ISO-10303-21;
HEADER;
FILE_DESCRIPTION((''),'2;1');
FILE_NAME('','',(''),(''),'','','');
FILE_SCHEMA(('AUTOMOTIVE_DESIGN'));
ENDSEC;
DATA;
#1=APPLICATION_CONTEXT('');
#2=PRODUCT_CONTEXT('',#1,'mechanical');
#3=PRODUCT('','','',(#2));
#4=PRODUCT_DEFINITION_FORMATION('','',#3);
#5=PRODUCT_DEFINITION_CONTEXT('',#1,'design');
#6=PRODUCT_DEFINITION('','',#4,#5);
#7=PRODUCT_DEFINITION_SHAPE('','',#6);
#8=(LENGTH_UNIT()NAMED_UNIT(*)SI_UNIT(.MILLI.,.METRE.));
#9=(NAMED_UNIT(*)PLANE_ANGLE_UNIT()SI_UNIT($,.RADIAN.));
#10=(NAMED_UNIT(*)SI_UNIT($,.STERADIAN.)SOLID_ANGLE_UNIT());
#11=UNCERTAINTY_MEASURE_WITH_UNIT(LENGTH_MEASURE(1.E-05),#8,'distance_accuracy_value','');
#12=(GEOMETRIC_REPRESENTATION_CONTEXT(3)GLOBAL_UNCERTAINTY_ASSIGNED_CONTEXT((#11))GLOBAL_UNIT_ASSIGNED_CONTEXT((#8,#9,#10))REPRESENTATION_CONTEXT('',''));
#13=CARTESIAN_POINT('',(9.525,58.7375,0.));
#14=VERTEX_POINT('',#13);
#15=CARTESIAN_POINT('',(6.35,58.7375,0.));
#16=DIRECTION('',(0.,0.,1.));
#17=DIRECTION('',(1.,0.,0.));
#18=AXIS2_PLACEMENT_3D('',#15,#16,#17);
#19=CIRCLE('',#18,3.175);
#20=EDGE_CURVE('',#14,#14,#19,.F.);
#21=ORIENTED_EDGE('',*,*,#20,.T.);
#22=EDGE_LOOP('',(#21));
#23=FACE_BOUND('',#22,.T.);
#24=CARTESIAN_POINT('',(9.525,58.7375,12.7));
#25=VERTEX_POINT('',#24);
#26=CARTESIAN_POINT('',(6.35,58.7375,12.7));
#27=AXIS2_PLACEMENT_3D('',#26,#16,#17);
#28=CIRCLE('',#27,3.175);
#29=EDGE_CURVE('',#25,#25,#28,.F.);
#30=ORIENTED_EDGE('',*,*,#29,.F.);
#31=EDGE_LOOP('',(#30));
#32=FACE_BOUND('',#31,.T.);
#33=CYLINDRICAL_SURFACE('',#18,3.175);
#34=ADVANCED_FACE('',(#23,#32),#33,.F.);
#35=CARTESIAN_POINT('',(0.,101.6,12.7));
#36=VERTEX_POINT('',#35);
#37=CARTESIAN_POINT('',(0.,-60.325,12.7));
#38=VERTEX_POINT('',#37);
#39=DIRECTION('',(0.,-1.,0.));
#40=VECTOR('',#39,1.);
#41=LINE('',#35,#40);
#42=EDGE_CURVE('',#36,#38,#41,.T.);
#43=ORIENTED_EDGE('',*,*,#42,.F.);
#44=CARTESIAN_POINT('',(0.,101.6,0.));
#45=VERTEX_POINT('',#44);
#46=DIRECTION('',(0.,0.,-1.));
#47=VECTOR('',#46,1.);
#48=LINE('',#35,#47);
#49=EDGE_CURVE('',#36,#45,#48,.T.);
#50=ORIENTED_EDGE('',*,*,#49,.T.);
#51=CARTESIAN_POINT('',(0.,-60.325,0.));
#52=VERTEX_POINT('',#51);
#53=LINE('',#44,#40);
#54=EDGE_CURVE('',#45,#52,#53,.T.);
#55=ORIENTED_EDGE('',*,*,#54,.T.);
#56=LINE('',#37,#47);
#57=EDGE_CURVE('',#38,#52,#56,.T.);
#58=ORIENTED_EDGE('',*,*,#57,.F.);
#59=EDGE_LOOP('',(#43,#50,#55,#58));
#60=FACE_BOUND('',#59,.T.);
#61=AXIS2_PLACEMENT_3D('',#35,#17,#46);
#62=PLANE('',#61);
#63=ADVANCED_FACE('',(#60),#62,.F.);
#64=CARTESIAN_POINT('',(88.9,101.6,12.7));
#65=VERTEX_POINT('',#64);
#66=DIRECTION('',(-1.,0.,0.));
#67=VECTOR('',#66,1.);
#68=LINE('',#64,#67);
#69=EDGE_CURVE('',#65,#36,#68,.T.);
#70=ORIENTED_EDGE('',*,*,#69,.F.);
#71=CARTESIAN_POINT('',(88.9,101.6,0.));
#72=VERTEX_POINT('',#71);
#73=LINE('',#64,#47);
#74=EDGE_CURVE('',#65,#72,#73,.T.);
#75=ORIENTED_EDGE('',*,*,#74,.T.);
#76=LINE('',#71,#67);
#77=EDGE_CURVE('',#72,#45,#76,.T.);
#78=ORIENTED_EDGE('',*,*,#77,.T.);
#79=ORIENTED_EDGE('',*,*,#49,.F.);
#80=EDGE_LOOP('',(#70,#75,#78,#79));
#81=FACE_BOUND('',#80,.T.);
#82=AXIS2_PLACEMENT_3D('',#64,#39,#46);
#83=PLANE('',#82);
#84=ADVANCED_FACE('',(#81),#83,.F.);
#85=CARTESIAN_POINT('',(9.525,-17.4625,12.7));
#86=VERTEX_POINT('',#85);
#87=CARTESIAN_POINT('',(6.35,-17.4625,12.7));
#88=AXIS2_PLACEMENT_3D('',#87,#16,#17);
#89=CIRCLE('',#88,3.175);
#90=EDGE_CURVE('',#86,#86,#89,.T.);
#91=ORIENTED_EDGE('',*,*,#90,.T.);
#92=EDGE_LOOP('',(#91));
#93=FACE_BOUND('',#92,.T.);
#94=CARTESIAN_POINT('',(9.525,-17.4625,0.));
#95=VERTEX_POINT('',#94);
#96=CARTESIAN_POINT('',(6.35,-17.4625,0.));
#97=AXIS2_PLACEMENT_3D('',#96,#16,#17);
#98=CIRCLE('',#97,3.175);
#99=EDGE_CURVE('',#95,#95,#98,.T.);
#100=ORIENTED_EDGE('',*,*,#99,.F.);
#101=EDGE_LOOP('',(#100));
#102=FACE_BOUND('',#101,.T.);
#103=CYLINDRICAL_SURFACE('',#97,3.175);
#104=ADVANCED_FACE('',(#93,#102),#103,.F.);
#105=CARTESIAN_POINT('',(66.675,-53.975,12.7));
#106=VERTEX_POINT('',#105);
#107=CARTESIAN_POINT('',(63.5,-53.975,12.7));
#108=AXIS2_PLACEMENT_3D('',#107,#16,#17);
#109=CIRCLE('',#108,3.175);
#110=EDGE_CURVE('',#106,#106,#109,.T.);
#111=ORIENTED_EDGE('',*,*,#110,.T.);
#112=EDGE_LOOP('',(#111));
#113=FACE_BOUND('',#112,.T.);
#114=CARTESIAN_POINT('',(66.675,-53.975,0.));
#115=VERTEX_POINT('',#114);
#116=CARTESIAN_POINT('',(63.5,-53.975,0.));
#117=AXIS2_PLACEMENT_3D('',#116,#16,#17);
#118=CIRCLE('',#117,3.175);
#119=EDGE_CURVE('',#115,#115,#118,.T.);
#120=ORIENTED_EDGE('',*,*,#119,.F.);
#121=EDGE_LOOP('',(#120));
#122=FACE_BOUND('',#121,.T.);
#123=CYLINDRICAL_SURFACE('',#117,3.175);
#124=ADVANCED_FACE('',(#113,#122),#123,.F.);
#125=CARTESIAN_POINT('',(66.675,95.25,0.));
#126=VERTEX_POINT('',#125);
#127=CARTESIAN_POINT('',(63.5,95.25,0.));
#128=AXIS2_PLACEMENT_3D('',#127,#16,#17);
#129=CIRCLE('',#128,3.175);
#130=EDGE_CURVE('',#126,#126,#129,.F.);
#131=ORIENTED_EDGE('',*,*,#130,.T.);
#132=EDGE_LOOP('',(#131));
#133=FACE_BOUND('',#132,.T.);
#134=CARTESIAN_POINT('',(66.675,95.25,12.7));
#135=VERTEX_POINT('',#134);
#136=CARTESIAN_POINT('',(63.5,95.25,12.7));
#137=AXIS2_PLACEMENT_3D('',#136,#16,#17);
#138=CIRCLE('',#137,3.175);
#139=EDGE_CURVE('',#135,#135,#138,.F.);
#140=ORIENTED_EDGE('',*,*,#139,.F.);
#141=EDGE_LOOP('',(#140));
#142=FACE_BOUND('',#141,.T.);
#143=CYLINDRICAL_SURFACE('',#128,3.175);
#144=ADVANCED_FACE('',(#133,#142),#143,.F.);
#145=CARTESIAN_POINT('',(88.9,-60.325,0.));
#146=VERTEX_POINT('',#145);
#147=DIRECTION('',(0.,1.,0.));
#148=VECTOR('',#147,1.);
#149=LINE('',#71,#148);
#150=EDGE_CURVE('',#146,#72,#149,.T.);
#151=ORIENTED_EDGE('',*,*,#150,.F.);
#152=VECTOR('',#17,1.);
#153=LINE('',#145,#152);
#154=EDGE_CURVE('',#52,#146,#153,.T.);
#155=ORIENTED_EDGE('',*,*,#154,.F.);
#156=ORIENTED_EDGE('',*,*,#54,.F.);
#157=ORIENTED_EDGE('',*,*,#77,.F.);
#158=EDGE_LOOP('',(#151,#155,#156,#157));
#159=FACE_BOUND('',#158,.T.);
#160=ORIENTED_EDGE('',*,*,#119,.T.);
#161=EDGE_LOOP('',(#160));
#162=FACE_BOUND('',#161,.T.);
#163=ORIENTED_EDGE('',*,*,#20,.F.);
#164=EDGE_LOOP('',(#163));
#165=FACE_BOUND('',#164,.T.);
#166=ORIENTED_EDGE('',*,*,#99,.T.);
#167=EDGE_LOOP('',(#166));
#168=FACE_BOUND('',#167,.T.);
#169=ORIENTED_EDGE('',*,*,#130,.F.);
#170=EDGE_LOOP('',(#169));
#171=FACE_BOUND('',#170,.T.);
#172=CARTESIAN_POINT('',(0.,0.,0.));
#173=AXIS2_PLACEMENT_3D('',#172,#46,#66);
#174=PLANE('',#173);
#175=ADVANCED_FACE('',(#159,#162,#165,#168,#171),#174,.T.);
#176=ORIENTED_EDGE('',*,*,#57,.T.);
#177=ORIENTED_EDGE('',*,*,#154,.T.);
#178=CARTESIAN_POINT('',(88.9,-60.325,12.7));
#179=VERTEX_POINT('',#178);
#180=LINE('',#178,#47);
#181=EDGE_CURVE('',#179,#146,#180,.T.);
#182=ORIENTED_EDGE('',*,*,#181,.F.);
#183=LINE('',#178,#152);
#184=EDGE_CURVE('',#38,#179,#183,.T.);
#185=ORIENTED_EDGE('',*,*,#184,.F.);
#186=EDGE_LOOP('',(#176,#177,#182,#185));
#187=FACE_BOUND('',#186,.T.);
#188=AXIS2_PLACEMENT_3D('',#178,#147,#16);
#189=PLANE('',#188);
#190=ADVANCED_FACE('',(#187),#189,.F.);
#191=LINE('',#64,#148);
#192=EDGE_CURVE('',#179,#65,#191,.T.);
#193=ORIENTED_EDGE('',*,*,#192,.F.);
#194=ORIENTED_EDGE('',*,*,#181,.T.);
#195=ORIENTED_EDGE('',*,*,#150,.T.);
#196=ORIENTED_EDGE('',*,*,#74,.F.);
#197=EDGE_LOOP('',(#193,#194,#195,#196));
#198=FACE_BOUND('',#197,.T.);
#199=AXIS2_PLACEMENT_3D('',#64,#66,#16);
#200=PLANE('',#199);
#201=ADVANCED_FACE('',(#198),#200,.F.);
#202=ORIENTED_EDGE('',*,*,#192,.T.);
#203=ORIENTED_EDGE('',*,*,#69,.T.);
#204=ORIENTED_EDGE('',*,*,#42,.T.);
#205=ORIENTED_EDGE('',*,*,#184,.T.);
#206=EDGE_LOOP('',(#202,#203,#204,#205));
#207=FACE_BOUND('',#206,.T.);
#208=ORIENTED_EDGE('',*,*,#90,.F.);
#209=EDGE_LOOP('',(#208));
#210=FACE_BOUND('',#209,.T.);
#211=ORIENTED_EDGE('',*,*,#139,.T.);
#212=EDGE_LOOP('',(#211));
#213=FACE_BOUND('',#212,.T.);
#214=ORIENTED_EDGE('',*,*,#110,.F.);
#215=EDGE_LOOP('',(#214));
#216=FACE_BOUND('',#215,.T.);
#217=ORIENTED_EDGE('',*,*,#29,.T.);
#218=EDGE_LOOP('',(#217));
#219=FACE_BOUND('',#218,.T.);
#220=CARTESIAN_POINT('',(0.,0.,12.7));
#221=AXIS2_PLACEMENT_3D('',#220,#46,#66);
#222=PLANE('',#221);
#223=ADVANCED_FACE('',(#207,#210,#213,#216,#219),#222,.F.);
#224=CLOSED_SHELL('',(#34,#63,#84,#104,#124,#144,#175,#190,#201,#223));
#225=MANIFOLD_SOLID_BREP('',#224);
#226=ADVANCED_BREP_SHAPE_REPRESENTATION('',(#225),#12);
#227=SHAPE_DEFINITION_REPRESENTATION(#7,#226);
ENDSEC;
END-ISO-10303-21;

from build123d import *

# Parameters (mm, degrees)
SKETCH1_W           = 88.9
SKETCH1_H           = 161.925
BOSS_EXTRUDE1_DEPTH = 12.7
SKETCH2_R           = 3.175
CUT_EXTRUDE1_DEPTH  = 12.7


with BuildPart() as part:
    # Sketch1 → Boss-Extrude1 (new body)
    with BuildSketch(Plane.XY):
        with Locations((44.45, 20.6375)):
            Rectangle(SKETCH1_W, SKETCH1_H)
    extrude(amount=BOSS_EXTRUDE1_DEPTH)

    # Sketch2 → Cut-Extrude1 (cut)
    with BuildSketch(Plane.XY.offset(12.7)):
        with Locations((63.5, -53.975)):
            Circle(SKETCH2_R)
        with Locations((6.35, -17.4625)):
            Circle(SKETCH2_R)
        with Locations((6.35, 58.7375)):
            Circle(SKETCH2_R)
        with Locations((63.5, 95.25)):
            Circle(SKETCH2_R)
    extrude(amount=-CUT_EXTRUDE1_DEPTH, mode=Mode.SUBTRACT)


solid = part.part
